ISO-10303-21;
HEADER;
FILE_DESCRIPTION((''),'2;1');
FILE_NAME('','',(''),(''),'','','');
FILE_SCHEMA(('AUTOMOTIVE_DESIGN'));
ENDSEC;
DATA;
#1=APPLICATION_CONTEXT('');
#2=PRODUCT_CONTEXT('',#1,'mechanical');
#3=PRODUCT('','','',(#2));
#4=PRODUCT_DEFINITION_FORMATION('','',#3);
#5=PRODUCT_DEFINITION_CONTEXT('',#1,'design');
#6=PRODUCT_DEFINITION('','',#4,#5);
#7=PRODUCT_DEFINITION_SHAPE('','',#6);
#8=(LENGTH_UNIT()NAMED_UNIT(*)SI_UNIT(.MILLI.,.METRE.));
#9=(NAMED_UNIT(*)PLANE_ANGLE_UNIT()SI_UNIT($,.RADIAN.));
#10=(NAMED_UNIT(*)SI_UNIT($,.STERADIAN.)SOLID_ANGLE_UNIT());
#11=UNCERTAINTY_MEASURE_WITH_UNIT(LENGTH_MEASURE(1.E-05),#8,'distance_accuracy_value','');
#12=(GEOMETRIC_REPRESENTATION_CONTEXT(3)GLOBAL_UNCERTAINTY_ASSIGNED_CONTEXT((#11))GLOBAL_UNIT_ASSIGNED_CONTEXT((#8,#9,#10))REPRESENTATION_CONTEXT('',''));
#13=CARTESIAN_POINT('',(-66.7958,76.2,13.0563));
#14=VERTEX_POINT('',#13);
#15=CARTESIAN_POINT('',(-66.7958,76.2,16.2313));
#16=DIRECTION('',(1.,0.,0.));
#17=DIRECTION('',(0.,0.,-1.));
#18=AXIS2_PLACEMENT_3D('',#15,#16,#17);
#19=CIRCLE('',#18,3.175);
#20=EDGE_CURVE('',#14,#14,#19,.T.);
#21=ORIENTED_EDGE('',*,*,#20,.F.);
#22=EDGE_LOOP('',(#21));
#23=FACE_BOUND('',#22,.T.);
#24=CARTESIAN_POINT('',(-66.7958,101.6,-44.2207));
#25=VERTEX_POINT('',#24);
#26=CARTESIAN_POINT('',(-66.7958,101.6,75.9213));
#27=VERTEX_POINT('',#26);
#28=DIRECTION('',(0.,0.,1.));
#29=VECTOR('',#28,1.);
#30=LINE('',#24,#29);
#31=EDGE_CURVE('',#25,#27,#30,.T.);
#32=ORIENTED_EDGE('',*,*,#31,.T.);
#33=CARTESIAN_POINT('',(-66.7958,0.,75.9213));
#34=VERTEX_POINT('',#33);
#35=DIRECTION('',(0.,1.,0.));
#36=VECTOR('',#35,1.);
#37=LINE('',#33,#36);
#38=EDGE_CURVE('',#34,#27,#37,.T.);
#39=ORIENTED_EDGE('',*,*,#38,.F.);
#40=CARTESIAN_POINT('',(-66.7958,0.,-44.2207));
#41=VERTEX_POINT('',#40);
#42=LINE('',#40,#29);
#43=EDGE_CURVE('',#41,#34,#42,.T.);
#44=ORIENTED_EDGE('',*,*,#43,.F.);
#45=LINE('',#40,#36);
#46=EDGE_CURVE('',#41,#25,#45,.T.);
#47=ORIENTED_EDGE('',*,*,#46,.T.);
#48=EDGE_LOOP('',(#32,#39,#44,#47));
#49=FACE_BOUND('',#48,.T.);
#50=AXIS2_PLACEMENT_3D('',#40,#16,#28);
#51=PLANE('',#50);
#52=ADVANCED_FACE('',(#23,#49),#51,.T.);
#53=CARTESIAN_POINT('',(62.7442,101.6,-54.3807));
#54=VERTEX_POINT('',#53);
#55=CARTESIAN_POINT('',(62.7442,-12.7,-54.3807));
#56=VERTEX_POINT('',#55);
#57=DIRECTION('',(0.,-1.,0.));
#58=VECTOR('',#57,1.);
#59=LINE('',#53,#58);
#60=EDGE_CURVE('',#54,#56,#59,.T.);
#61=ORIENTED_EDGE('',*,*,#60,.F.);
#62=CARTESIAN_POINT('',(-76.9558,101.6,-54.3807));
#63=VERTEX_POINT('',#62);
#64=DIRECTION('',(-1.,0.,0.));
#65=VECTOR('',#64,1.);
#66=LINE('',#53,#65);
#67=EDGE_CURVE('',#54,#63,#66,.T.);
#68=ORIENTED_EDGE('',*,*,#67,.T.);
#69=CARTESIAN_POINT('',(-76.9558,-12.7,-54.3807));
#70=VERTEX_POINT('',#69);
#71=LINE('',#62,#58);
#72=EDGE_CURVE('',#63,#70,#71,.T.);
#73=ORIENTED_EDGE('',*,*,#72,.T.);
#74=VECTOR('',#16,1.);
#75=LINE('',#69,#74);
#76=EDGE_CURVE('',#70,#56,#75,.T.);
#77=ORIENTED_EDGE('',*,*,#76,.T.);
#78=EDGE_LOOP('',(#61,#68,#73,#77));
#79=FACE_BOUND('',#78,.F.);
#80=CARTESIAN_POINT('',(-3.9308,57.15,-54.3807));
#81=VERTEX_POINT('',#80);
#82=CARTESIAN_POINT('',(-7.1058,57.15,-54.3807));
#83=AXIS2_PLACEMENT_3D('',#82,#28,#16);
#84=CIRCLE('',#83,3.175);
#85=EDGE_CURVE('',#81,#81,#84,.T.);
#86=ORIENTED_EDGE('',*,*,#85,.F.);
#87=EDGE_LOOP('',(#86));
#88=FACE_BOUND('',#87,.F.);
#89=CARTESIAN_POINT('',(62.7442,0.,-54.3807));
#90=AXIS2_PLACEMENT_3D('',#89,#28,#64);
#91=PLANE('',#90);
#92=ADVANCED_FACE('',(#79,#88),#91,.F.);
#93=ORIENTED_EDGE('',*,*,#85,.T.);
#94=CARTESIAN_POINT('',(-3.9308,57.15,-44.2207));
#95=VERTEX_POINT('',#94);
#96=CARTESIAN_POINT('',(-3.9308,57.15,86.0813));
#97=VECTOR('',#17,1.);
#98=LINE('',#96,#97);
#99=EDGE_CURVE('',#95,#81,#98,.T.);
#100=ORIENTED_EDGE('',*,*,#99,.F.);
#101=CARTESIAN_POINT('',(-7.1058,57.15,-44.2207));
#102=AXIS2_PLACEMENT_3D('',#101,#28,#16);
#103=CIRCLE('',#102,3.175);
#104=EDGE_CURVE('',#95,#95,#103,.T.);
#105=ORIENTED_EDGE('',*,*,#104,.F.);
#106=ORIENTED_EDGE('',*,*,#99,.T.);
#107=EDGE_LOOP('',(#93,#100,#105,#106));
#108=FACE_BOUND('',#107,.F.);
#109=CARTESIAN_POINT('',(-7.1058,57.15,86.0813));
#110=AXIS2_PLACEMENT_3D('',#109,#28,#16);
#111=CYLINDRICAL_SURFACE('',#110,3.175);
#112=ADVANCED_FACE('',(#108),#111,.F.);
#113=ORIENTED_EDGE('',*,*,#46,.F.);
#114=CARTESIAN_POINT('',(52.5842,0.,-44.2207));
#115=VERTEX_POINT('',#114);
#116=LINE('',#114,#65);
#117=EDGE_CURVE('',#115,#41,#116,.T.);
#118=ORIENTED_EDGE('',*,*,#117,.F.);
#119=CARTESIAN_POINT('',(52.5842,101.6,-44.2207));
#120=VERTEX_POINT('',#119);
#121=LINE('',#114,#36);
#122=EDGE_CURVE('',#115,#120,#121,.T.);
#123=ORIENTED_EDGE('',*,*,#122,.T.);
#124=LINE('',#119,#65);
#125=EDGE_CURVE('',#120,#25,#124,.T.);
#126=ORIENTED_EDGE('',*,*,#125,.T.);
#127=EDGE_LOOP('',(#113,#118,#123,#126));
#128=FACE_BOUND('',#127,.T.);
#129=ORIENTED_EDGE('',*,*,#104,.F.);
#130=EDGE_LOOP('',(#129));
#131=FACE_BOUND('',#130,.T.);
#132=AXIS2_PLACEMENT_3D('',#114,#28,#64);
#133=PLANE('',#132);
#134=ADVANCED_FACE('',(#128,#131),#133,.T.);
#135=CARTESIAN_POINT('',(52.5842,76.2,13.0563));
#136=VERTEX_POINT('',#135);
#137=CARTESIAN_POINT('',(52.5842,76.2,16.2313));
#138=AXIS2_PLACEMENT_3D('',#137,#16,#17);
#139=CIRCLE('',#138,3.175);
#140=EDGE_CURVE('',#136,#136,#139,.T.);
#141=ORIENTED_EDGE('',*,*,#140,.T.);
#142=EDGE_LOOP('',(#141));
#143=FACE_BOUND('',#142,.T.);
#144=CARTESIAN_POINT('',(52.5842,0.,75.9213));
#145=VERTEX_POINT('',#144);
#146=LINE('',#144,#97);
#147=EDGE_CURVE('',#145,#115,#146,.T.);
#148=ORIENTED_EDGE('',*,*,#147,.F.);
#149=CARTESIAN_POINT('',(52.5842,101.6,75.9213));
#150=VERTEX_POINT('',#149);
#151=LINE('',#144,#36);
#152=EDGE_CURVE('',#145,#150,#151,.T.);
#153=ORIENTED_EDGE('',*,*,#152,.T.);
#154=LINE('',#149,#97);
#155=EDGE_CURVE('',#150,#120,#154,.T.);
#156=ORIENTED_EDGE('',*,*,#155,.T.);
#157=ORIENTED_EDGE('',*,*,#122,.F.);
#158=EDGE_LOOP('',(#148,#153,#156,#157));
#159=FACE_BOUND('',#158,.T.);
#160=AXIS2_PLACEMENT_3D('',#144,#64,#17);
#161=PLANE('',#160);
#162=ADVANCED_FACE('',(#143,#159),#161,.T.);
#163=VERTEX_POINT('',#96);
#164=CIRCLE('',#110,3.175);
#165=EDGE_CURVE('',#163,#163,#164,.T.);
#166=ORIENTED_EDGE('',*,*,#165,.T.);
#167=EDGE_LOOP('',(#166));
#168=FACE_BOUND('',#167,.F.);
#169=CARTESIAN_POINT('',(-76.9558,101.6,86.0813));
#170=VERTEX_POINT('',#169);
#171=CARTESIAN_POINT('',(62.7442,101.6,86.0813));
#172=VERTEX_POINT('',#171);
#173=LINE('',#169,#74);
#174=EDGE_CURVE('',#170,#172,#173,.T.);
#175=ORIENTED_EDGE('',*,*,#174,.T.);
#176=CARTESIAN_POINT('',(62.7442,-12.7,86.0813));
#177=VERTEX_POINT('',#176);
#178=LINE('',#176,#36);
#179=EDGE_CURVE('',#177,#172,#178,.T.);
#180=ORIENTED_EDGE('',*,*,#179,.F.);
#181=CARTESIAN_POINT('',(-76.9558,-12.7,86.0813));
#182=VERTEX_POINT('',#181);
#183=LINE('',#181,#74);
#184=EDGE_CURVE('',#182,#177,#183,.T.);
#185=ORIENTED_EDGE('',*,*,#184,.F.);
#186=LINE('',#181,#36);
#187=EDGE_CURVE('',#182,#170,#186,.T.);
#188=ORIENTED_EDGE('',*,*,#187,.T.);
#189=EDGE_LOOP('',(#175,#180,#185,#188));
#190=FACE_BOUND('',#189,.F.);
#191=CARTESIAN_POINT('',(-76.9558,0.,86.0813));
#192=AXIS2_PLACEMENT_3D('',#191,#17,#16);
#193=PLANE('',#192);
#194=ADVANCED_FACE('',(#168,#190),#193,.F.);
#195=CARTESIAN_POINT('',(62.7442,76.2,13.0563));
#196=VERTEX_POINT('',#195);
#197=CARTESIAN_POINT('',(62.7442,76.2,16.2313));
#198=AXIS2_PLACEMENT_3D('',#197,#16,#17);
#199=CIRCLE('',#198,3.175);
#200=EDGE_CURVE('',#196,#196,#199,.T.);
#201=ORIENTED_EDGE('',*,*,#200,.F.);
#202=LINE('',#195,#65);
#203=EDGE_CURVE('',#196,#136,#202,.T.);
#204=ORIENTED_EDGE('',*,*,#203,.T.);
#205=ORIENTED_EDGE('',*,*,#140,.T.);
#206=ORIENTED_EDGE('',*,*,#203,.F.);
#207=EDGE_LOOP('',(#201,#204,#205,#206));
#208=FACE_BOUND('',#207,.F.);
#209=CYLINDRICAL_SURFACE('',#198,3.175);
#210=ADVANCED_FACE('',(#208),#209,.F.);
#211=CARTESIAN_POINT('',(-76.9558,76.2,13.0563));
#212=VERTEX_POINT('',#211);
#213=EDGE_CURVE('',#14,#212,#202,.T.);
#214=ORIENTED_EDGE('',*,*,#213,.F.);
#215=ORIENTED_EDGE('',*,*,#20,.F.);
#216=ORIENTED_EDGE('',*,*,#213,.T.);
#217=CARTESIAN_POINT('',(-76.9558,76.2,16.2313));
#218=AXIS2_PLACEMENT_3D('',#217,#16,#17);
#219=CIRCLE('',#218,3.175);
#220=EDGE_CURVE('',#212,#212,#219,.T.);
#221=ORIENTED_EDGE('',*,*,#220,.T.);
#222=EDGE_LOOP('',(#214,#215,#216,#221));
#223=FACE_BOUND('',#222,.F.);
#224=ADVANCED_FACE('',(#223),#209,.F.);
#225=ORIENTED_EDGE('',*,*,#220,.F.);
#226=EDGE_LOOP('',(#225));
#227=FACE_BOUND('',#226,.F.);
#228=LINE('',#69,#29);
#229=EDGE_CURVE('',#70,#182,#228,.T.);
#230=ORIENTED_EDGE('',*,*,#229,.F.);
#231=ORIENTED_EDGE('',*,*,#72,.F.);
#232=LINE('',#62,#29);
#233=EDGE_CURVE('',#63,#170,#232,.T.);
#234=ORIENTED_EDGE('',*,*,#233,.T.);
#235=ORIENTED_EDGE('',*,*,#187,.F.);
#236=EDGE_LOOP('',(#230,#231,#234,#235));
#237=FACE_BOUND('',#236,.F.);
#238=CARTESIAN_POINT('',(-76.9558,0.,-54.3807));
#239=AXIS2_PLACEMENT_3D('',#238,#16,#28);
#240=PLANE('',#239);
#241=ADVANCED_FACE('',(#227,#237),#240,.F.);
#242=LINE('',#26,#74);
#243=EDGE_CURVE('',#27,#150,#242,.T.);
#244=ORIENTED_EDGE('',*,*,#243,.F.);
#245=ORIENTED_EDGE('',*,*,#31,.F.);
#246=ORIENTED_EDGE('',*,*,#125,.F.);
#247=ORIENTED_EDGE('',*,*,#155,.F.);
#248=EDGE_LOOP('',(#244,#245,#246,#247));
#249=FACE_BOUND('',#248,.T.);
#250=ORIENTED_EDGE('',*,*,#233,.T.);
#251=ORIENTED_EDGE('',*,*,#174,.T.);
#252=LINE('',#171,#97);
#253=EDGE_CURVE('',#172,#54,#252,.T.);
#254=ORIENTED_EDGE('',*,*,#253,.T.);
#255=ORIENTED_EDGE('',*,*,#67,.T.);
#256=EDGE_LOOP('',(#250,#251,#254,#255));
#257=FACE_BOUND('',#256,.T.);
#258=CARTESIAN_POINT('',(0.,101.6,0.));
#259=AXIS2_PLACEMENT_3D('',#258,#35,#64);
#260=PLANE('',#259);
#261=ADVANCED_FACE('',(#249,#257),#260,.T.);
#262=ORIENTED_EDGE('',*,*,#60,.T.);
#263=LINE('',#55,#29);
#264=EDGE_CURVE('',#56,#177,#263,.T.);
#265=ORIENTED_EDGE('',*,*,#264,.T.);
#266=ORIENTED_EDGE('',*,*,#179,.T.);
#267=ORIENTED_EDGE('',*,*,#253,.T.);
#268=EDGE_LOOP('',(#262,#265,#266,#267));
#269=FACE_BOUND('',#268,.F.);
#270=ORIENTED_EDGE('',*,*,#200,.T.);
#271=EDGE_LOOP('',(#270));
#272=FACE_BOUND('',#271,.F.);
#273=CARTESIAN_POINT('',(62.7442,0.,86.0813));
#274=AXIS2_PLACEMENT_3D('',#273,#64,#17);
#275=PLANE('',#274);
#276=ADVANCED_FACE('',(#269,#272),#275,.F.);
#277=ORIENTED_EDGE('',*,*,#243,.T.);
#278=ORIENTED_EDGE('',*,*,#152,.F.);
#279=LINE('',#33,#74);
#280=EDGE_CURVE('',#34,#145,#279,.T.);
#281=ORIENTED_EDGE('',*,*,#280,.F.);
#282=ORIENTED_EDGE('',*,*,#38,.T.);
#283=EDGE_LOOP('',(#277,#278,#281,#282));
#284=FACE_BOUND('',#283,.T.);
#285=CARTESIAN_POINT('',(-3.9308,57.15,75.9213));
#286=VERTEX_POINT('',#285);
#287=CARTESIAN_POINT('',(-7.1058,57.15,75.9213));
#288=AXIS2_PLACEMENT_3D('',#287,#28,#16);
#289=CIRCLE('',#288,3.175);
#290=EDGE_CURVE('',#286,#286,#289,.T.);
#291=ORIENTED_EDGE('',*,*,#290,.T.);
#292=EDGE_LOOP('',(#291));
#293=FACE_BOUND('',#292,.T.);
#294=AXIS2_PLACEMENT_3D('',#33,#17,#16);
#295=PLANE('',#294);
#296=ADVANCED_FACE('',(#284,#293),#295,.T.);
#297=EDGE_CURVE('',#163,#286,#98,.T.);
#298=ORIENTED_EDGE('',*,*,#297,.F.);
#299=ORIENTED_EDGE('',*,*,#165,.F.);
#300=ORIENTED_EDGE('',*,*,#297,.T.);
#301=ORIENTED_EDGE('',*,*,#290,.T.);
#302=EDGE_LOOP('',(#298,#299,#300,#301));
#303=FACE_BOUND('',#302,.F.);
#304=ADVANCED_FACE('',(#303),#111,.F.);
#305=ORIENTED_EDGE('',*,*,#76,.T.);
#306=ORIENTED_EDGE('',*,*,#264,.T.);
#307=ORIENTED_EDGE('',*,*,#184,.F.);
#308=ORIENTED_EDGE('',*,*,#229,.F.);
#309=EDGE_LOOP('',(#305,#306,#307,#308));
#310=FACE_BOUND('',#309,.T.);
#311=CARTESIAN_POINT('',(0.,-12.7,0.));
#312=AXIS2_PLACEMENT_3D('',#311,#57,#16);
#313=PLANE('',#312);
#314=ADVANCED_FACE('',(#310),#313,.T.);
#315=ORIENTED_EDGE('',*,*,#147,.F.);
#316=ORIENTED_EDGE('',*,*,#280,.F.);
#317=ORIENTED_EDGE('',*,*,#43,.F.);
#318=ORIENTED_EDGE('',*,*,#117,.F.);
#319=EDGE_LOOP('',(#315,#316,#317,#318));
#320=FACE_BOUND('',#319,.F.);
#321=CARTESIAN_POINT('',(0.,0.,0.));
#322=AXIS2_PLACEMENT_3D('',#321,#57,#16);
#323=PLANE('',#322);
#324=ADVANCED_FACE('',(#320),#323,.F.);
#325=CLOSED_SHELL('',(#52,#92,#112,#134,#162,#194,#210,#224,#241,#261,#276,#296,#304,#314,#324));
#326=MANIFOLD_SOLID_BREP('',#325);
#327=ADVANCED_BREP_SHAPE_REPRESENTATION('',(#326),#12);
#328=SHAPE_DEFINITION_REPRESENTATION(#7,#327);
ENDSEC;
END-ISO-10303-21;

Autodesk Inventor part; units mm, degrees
ref_plane "YZ Plane" through (0, 0, 0) normal (1, 0, 0) x (0, 1, 0)
ref_plane "XZ Plane" through (0, 0, 0) normal (0, 1, 0) x (-1, 0, 0)
ref_plane "XY Plane" through (0, 0, 0) normal (0, 0, 1) x (1, 0, 0)
sketch "Sketch1" plane through (0, 0, 0) normal (0, 1, 0) x (-1, 0, 0)
  line L0 (66.7958, 75.9213) -> (-52.5842, 75.9213)
  line L1 (-52.5842, 75.9213) -> (-52.5842, -44.2207)
  line L2 (-52.5842, -44.2207) -> (66.7958, -44.2207)
  line L3 (66.7958, -44.2207) -> (66.7958, 75.9213)
  line L4 (76.9558, 86.0813) -> (-62.7442, 86.0813)
  line L5 (-62.7442, 86.0813) -> (-62.7442, -54.3807)
  line L6 (-62.7442, -54.3807) -> (76.9558, -54.3807)
  line L7 (76.9558, -54.3807) -> (76.9558, 86.0813)
  point P0 (0, 0)
  dimension "d0" = 119.38
  dimension "d1" = 120.142
  dimension "d2" = 10.16
  dimension "d3" = 10.16
  dimension "d4" = 10.16
  dimension "d5" = 10.16
extrude "Extrusion1" add sketch "Sketch1" along normal blind 101.6
sketch "Sketch2" plane through (0, 0, 0) normal (0, -1, 0) x (1, 0, 0)
  line L0 (-76.9558, 86.0813) -> (62.7442, 86.0813) projected
  line L1 (-76.9558, -54.3807) -> (-76.9558, 86.0813) projected
  line L2 (62.7442, 86.0813) -> (-76.9558, 86.0813)
  line L3 (-76.9558, 86.0813) -> (-76.9558, -54.3807)
  line L4 (-76.9558, -54.3807) -> (62.7442, -54.3807)
  line L5 (62.7442, -54.3807) -> (62.7442, 86.0813)
  point P0 (0, 0)
extrude "Extrusion2" add sketch "Sketch2" along normal blind 12.7
sketch "Sketch3" plane through (62.7442, 101.6, 86.0813) normal (1, 0, 0) x (0, 0, -1)
  circle A0 centre (69.85, -25.4) radius 3.175
  line L0 (0, 0) -> (140.462, 0) projected
  line L1 (0, -114.3) -> (0, 0) projected
  point P0 (86.0813, -101.6)
  dimension "d10" = 6.35
  dimension "d11" = 25.4
  dimension "d12" = 69.85
extrude "Extrusion3" cut sketch "Sketch3" against normal blind 177.8
sketch "Sketch4" plane through (-76.9558, 101.6, 86.0813) normal (0, 0, 1) x (1, 0, 0)
  circle A0 centre (69.85, -44.45) radius 3.175
  line L0 (0, 0) -> (139.7, 0) projected
  line L1 (0, 0) -> (0, -114.3) projected
  point P0 (76.9558, -101.6)
  dimension "d15" = 6.35
  dimension "d16" = 44.45
  dimension "d17" = 69.85
extrude "Extrusion4" cut sketch "Sketch4" against normal blind 177.8
properties part number "Box" material "Wood (Cherry)"
